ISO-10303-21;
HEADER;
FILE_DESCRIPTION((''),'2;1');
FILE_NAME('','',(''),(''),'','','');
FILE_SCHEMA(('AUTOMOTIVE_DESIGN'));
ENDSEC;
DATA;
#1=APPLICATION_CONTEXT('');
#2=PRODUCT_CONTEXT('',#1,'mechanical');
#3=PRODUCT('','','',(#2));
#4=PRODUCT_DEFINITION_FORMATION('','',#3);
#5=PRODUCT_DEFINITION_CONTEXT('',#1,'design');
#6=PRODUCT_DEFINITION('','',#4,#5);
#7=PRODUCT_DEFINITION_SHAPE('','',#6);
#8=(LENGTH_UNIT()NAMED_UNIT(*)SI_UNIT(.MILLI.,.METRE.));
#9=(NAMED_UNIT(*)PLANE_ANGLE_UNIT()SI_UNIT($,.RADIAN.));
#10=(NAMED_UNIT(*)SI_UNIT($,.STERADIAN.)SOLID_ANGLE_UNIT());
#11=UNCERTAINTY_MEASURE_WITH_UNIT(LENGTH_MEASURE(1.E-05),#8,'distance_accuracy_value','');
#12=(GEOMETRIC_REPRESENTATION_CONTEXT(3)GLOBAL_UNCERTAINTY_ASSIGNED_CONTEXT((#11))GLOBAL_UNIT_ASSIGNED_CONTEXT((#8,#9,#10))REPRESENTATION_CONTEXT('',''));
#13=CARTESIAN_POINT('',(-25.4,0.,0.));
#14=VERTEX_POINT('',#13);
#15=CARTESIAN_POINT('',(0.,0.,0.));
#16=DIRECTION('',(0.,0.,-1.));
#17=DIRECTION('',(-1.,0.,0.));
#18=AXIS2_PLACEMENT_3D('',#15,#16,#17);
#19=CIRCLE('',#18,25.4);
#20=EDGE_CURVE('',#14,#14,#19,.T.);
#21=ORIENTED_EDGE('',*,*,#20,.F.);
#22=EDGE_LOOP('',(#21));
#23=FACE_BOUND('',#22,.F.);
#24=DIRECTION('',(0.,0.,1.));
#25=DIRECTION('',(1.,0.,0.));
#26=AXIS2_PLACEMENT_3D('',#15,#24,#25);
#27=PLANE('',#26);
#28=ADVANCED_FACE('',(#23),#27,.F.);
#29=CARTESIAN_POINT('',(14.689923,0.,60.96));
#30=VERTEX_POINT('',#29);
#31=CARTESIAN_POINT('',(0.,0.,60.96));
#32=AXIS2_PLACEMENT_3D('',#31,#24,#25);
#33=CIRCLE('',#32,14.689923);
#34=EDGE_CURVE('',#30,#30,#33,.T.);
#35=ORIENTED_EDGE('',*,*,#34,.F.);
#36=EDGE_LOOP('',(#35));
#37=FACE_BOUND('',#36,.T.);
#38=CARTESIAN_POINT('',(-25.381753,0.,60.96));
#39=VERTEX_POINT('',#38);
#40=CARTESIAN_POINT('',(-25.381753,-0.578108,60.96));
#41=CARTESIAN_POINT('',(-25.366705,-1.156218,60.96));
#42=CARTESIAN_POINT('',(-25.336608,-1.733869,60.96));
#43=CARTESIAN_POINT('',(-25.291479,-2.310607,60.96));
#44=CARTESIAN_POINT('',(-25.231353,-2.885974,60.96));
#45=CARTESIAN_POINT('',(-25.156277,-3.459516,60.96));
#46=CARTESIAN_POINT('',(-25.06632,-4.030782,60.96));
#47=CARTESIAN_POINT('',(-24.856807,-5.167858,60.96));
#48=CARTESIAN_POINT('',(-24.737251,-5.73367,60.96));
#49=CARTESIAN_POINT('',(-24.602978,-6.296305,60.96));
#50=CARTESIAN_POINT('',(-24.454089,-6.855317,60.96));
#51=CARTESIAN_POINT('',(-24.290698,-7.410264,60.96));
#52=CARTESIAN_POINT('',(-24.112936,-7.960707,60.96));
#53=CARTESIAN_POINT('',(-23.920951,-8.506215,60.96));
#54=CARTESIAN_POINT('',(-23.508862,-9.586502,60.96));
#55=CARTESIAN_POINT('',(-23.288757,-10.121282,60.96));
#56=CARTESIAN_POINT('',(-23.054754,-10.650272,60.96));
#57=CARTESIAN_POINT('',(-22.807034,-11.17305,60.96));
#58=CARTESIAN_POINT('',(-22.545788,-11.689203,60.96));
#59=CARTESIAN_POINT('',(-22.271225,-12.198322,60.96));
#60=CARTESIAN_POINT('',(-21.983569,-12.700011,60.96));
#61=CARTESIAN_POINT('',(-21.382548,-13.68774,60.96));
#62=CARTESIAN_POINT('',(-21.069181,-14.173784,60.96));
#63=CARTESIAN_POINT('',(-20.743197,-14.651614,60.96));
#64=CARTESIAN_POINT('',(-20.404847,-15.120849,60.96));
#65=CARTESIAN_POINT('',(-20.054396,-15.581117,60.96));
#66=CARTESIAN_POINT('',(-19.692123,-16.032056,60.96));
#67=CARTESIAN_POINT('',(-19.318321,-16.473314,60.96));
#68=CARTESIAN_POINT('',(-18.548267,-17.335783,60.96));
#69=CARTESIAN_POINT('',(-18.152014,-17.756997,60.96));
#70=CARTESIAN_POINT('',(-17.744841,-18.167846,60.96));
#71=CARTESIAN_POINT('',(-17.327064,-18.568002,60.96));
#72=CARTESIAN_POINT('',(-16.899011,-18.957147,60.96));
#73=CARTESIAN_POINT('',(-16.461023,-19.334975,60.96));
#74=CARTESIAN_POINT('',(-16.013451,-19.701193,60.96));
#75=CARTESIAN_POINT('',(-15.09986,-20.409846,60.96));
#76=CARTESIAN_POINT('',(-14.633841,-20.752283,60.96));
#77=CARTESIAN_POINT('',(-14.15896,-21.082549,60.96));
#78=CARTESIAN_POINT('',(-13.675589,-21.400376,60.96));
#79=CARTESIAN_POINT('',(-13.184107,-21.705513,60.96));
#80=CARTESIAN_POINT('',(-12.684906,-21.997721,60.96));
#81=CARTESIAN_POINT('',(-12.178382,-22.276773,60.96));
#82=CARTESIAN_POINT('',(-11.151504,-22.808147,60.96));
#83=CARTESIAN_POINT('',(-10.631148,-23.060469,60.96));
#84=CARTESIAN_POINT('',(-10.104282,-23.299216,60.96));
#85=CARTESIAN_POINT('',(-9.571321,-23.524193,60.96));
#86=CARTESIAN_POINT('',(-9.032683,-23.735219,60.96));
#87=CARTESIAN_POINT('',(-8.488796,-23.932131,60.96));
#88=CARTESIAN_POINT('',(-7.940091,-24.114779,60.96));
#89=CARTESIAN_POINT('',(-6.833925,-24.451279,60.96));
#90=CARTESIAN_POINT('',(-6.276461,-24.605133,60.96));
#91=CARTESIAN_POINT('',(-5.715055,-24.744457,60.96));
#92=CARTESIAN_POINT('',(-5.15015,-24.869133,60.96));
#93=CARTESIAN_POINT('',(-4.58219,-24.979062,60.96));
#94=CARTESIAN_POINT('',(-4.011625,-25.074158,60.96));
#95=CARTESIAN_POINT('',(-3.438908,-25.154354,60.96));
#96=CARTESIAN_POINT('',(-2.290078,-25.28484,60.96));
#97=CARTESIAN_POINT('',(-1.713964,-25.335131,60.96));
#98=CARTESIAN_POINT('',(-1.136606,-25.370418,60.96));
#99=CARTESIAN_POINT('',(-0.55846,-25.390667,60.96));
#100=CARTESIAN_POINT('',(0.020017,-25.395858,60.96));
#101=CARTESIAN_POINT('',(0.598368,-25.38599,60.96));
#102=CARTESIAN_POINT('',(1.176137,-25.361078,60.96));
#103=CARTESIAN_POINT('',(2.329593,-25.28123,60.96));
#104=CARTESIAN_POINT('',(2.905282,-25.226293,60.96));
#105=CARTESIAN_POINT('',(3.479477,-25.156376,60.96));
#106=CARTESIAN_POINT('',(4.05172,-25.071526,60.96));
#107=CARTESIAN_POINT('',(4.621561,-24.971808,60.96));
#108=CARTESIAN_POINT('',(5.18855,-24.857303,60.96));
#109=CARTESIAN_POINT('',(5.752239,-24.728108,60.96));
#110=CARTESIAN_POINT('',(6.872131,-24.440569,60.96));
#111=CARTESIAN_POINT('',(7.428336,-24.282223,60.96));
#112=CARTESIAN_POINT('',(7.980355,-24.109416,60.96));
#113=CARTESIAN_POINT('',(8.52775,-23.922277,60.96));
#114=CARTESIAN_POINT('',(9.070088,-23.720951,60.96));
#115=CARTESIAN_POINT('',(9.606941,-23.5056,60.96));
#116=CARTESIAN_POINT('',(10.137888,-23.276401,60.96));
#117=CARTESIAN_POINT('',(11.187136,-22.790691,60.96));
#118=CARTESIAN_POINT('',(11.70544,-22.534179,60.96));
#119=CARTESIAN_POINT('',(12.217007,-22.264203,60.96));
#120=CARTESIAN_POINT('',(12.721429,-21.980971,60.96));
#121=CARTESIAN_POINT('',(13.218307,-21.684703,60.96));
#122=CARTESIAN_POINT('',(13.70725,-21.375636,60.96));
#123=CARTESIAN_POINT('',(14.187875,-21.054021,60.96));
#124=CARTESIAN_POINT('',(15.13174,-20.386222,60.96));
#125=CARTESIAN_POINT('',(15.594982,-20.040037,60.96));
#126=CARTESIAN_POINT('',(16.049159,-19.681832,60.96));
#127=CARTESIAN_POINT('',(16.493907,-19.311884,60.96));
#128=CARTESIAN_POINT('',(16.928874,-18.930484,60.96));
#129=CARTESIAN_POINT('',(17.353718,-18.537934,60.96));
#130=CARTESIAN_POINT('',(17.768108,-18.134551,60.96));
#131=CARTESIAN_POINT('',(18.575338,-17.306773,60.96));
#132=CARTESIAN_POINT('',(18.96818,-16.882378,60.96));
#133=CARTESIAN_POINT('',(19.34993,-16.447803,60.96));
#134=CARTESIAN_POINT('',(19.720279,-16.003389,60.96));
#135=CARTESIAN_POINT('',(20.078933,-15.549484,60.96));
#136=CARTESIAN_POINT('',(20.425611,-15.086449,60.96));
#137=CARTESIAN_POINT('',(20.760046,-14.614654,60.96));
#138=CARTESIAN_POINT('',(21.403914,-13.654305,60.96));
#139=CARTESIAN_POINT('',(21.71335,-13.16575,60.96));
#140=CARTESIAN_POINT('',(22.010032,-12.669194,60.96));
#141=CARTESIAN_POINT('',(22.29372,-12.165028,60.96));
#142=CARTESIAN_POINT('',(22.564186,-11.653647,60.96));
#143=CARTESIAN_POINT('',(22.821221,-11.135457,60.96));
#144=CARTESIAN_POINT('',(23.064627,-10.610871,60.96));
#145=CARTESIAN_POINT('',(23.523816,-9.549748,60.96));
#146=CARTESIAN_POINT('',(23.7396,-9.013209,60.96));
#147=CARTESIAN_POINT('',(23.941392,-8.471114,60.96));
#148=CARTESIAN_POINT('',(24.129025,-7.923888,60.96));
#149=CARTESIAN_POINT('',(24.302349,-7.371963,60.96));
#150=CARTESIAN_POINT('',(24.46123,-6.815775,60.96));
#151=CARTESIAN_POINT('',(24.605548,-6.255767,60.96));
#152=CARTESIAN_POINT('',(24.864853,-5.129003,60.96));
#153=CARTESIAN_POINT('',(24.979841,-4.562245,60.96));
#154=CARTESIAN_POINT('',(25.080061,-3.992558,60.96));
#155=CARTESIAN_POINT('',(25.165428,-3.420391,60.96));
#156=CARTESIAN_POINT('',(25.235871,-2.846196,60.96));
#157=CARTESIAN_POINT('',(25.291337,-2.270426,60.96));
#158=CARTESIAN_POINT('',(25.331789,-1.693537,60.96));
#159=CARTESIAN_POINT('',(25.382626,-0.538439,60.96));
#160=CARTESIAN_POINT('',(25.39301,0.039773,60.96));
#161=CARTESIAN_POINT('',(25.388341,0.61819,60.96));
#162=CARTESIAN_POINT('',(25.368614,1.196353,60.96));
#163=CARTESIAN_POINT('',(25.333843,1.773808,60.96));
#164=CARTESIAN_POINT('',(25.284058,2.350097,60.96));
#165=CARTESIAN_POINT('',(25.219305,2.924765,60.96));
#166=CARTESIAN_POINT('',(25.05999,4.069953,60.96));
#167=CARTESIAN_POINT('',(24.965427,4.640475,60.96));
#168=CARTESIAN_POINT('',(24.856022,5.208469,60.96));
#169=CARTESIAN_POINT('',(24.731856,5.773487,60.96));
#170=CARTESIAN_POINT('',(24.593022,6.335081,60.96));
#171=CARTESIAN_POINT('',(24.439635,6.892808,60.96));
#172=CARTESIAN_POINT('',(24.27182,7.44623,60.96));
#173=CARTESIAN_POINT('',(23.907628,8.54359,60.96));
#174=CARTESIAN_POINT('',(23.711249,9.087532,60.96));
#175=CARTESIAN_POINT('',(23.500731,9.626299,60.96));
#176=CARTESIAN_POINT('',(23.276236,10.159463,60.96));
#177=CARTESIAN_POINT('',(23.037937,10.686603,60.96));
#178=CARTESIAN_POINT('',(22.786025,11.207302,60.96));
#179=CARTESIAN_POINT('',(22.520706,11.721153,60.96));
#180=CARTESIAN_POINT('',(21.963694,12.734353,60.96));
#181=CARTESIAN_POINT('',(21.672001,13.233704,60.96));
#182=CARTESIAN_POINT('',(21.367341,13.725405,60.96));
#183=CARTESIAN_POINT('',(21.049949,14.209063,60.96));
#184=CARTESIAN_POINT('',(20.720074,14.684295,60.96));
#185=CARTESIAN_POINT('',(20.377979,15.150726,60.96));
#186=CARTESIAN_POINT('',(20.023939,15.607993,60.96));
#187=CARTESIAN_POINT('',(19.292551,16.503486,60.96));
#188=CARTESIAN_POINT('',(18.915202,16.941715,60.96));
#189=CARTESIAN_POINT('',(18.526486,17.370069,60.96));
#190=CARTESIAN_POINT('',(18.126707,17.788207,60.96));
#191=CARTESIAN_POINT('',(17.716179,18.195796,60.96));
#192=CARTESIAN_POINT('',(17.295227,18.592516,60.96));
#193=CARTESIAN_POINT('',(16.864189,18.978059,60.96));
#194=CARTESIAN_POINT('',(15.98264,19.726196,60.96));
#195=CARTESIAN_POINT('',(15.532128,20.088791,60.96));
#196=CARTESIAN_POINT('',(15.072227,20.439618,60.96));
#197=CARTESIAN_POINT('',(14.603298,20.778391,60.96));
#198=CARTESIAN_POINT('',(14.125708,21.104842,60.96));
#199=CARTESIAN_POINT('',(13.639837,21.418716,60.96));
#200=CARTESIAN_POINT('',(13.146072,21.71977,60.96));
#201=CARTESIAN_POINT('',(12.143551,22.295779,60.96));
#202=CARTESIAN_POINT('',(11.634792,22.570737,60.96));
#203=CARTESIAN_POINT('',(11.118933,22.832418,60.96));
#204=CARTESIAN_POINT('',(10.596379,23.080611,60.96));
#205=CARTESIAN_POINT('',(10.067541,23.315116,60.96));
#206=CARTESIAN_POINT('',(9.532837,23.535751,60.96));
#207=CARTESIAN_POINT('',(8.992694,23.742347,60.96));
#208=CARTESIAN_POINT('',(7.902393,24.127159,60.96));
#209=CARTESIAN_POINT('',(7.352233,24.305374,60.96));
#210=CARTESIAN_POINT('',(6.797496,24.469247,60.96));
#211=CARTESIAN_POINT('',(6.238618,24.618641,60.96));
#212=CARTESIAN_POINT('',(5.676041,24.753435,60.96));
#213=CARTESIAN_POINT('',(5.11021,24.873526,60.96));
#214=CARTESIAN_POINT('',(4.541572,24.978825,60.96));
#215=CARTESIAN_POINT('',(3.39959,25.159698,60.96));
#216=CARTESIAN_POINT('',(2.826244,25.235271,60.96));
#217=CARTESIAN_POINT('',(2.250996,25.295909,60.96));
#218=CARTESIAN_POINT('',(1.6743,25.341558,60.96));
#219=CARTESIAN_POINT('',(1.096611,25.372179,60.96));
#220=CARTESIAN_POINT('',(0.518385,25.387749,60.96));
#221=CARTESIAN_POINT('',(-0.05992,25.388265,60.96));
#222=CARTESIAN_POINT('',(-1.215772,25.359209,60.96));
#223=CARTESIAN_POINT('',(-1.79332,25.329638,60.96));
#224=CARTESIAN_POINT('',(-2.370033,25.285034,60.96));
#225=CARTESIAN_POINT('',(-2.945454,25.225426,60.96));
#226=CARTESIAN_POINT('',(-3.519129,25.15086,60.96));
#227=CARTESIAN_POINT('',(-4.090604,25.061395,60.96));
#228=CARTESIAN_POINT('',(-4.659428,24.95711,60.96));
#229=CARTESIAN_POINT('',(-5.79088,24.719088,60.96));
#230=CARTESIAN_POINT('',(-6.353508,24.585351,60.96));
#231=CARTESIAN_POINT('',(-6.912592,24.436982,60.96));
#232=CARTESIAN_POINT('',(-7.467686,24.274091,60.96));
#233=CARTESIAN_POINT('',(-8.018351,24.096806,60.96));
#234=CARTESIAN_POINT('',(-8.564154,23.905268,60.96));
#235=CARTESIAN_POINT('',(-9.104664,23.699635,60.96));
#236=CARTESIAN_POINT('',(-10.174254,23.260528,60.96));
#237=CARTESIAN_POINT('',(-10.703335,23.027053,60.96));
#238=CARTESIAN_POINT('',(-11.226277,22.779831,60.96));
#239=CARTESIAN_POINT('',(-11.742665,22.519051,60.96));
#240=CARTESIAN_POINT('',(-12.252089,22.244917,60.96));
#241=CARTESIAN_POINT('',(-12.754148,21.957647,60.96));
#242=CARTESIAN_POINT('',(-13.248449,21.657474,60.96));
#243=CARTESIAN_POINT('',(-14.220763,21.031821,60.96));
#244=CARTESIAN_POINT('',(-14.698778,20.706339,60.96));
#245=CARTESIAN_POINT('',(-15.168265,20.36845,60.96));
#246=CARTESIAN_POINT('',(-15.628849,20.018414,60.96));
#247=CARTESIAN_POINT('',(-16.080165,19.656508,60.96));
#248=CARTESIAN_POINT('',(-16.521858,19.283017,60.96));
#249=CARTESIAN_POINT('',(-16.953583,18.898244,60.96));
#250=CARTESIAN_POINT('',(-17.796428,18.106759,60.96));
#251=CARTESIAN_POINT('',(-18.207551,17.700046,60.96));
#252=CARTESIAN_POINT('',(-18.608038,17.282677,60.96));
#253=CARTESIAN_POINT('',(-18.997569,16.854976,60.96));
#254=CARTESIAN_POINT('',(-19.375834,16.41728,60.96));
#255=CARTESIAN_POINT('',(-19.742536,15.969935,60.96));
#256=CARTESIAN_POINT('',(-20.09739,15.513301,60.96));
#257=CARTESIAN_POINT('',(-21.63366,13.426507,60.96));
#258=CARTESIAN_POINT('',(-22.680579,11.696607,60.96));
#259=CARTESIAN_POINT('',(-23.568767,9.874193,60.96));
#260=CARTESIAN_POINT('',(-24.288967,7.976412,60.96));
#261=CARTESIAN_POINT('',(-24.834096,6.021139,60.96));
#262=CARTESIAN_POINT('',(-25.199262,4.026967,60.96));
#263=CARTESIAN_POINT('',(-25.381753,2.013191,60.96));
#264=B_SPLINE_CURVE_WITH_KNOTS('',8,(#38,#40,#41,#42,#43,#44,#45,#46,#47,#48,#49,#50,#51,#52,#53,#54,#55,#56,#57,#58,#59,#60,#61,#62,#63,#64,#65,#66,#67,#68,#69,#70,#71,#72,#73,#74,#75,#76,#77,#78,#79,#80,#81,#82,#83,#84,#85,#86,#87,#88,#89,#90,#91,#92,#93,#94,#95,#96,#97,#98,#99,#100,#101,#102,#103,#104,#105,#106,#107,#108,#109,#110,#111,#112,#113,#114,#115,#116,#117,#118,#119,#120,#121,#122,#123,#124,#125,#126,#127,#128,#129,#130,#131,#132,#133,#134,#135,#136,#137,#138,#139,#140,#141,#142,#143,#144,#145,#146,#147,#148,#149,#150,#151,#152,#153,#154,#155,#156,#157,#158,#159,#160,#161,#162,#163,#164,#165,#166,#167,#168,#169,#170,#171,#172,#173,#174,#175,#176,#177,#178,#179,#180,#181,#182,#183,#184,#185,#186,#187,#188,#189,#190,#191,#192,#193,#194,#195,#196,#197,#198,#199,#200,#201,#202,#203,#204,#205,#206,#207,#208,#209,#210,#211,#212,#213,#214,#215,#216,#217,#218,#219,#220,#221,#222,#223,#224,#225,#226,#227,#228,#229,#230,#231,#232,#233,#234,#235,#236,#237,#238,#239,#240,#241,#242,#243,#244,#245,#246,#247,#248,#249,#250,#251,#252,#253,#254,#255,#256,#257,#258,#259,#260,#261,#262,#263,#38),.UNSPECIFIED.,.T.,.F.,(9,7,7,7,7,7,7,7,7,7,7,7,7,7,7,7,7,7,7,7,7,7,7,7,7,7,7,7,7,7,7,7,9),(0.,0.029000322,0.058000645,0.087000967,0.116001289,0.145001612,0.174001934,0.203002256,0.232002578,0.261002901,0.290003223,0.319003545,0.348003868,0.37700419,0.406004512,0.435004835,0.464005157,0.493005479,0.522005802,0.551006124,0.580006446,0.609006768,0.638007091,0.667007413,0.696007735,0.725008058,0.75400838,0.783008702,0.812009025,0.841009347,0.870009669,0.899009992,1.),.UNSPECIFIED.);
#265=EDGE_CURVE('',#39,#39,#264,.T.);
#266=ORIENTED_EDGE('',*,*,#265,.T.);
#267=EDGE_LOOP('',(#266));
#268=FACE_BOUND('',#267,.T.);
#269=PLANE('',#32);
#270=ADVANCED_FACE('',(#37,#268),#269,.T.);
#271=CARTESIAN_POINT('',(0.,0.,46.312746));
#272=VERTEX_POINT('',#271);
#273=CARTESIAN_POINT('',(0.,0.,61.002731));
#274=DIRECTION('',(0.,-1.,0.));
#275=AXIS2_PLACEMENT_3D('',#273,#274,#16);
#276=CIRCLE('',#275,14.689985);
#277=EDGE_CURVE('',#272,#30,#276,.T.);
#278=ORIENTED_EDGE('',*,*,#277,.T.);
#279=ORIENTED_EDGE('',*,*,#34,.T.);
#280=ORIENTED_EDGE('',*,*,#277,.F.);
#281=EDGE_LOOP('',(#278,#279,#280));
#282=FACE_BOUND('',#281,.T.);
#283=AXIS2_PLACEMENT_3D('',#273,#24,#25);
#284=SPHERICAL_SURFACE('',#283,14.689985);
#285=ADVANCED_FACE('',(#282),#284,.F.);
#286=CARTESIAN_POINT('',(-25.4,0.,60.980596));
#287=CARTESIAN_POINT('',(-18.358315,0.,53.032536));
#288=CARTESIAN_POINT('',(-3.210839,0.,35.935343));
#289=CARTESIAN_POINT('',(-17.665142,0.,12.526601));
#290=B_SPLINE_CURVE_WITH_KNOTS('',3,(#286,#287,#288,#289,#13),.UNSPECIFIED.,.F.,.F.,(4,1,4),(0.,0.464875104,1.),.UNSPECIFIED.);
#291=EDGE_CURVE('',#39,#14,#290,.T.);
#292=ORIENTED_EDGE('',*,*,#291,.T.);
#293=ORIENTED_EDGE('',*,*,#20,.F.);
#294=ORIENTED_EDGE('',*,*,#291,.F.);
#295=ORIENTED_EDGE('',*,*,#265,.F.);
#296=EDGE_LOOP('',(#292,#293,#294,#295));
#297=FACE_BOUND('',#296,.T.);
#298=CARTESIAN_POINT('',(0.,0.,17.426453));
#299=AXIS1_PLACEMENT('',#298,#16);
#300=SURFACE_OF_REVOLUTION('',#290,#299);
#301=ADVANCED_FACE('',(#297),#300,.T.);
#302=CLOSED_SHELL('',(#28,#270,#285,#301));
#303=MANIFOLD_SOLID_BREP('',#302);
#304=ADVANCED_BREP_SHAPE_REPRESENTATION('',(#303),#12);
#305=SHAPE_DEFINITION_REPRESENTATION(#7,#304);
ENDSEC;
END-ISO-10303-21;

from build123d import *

# Parameters (mm, degrees)
F0_R     = 25.4
F1_DEPTH = 60.96


with BuildPart() as f1:
    # F0 (on Top) → F1 (new body)
    with BuildSketch(Plane.XY):
        Circle(F0_R)
    extrude(amount=F1_DEPTH)

    # F2 (on Front) → F3 (revolve, cut)
    with BuildSketch(Plane.XZ):
        with BuildLine():
            add(Edge.make_bspline(
                [(-25.4, 60.9805956483), (-18.3583153402, 53.032536083), (-3.2108389468, 35.9353426621), (-17.6651423767, 12.5266006439), (-25.4, 0)],
                knots=[0, 0, 0, 0, 0.4648751037, 1, 1, 1, 1], degree=3))
            Line((-25.4, 60.9805956483), (-25.4, 0))
        make_face()
    revolve(axis=Axis((0, 0, 17.4264528715), (0, 0, -1)), mode=Mode.SUBTRACT)

    # F4 (on Front) → F5 (revolve, cut)
    with BuildSketch(Plane.XZ):
        with BuildLine():
            Line((0, 75.6927165588), (0, 46.3127460876))
            ThreePointArc((0, 46.3127460876), (14.6899852356, 61.0027313232), (0, 75.6927165588))
        make_face()
    revolve(axis=Axis((0, 0, 61.0027313232), (0, 0, -1)), mode=Mode.SUBTRACT)


solid = f1.part
